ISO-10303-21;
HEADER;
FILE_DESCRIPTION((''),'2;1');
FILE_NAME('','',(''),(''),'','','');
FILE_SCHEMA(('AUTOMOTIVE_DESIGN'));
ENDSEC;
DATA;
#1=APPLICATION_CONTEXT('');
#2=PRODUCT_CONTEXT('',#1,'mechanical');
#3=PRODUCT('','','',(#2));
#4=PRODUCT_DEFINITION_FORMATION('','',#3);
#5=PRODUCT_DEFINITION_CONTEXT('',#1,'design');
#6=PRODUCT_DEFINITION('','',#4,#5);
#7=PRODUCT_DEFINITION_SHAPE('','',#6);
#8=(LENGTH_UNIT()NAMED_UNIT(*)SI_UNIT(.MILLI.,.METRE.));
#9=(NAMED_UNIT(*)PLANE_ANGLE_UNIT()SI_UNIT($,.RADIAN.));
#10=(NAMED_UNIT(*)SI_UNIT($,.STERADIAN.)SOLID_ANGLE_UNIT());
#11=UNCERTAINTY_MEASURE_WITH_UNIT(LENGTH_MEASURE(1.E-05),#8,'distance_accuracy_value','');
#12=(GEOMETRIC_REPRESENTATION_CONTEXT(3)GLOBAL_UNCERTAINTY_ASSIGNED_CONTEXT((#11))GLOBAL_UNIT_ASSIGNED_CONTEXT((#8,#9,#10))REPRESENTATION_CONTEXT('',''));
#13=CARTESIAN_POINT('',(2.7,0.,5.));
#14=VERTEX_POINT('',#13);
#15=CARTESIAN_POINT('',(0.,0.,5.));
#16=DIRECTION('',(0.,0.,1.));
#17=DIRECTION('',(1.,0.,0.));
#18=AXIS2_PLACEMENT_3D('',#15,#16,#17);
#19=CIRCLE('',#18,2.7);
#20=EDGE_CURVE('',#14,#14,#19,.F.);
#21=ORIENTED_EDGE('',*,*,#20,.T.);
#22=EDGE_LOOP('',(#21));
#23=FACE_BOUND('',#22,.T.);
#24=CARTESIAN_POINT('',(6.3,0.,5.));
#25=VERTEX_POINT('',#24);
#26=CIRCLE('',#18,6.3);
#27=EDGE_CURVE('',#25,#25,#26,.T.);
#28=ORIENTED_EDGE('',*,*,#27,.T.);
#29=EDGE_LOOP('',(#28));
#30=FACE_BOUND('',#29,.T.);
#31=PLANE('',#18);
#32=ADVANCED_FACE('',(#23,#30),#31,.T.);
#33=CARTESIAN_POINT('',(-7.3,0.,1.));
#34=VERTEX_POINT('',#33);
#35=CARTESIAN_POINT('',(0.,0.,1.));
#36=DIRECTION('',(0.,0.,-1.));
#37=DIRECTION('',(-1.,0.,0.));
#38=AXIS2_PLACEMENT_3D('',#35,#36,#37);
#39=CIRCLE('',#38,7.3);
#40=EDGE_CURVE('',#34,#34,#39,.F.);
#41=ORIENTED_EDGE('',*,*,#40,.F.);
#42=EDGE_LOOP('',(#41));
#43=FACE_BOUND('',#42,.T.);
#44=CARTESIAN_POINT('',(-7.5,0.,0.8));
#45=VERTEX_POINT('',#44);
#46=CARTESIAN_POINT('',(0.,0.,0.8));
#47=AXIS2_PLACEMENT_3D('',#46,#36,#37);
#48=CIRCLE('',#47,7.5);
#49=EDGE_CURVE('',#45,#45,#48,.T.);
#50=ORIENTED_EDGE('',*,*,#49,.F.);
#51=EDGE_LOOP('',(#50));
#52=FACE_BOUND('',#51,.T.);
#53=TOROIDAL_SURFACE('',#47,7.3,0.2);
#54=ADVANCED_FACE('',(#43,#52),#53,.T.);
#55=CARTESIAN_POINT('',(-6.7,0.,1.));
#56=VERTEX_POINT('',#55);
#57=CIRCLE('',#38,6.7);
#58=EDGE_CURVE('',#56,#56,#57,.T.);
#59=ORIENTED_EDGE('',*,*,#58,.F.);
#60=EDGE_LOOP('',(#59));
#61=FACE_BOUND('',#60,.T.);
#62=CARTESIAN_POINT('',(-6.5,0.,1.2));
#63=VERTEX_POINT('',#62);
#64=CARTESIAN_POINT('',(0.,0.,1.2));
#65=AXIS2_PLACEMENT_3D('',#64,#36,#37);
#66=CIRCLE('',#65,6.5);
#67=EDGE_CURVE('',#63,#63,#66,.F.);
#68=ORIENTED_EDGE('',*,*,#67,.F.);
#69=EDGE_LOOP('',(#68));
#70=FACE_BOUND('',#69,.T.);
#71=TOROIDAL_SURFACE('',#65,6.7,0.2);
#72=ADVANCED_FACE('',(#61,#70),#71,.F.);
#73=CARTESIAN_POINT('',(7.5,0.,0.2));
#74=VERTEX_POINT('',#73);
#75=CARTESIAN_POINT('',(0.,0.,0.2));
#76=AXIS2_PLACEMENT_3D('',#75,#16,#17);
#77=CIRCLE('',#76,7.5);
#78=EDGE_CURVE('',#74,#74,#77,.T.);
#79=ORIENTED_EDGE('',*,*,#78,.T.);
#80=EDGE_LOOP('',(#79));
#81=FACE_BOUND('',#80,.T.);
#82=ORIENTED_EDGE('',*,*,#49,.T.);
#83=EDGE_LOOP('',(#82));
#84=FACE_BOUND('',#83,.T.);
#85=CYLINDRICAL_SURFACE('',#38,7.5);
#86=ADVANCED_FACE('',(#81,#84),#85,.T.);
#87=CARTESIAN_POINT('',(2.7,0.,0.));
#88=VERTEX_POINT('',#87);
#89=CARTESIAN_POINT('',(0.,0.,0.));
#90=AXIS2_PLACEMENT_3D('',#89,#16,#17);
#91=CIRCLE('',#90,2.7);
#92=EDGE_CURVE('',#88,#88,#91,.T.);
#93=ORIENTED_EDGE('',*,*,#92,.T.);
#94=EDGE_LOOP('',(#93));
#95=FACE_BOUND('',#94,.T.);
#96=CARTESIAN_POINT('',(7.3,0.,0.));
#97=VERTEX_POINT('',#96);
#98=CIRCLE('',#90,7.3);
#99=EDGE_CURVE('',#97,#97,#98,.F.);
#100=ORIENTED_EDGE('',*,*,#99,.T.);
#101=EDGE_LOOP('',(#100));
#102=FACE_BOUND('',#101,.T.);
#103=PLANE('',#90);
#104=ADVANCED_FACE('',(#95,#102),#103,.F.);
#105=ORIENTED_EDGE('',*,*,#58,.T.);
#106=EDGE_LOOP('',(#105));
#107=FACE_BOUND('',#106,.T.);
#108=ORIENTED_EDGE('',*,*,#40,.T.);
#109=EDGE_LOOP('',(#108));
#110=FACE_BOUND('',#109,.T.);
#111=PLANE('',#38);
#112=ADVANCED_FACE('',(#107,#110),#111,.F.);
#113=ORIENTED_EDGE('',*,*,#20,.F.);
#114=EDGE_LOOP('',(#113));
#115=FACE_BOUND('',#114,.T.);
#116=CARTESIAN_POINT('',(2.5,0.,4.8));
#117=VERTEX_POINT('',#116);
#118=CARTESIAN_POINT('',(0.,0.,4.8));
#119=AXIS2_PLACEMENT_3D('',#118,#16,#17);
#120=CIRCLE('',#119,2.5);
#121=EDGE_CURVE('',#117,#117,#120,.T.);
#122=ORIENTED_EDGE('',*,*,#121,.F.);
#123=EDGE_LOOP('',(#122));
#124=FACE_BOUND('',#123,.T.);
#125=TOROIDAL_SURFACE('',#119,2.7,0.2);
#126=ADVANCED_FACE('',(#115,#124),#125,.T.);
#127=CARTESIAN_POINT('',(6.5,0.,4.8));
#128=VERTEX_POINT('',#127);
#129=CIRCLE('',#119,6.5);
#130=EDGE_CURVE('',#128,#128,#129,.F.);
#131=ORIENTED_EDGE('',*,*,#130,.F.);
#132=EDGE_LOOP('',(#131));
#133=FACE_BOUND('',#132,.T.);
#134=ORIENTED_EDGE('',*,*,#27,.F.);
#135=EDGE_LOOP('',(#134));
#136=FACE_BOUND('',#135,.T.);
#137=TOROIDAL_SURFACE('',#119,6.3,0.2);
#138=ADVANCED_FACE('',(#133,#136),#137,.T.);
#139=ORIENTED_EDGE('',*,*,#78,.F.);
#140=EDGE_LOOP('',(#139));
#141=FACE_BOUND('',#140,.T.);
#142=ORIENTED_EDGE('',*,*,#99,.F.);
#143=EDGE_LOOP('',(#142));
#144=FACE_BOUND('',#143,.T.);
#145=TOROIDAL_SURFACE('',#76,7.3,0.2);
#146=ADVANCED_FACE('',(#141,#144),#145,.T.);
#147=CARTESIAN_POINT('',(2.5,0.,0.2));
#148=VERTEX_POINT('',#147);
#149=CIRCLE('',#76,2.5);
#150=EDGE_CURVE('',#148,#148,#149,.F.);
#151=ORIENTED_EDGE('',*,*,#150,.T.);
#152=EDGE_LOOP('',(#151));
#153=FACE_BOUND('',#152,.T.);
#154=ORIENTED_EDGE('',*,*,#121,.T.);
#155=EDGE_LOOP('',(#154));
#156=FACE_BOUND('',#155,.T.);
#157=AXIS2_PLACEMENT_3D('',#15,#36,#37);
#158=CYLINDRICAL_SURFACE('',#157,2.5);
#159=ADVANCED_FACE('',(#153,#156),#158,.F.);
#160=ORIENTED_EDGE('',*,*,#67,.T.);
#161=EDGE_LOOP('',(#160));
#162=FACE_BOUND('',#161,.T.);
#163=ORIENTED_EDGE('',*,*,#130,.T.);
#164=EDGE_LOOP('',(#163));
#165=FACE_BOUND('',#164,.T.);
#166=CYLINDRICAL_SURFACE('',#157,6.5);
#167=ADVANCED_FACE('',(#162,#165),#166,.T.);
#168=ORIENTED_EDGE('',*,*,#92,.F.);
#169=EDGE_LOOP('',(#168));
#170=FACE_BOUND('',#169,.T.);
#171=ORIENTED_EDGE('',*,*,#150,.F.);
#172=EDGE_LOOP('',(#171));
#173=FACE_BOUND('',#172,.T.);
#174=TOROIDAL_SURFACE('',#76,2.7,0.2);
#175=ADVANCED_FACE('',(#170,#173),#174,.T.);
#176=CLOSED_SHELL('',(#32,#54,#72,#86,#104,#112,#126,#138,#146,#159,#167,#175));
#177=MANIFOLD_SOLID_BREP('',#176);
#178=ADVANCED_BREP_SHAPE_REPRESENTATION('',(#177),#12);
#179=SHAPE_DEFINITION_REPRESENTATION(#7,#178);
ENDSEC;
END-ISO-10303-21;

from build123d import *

# Parameters (mm, degrees)
SKETCH_1_R      = 6.5
SKETCH_1_R_2    = 2.5
EXTRUDE_1_DEPTH = 5
SKETCH_2_R      = 7.5
SKETCH_2_R_2    = 2.5
EXTRUDE_2_DEPTH = 1
FILLET_1_R      = 0.2


with BuildPart() as part:
    # 草图1 → 凸台-拉伸1 (new body)
    with BuildSketch(Plane.XY):
        Circle(SKETCH_1_R)
        Circle(SKETCH_1_R_2, mode=Mode.SUBTRACT)
    extrude(amount=EXTRUDE_1_DEPTH)

    # 草图2 → 凸台-拉伸2 (add)
    with BuildSketch(Plane(origin=(0, 0, 0), x_dir=(-1, 0, 0), z_dir=(0, 0, -1))):
        Circle(SKETCH_2_R)
        Circle(SKETCH_2_R_2, mode=Mode.SUBTRACT)
    extrude(amount=-EXTRUDE_2_DEPTH)

    # 圆角1
    fillet_1_edges = [part.edges().sort_by_distance(p)[0] for p in [
        (7.5, 0, 0),
        (7.5, 0, 1),
        (-6.5, 0, 5),
        (-2.5, 0, 0),
        (-2.5, 0, 5),
        (-6.5, 0, 1),
    ]]
    fillet(fillet_1_edges, radius=FILLET_1_R)


solid = part.part
